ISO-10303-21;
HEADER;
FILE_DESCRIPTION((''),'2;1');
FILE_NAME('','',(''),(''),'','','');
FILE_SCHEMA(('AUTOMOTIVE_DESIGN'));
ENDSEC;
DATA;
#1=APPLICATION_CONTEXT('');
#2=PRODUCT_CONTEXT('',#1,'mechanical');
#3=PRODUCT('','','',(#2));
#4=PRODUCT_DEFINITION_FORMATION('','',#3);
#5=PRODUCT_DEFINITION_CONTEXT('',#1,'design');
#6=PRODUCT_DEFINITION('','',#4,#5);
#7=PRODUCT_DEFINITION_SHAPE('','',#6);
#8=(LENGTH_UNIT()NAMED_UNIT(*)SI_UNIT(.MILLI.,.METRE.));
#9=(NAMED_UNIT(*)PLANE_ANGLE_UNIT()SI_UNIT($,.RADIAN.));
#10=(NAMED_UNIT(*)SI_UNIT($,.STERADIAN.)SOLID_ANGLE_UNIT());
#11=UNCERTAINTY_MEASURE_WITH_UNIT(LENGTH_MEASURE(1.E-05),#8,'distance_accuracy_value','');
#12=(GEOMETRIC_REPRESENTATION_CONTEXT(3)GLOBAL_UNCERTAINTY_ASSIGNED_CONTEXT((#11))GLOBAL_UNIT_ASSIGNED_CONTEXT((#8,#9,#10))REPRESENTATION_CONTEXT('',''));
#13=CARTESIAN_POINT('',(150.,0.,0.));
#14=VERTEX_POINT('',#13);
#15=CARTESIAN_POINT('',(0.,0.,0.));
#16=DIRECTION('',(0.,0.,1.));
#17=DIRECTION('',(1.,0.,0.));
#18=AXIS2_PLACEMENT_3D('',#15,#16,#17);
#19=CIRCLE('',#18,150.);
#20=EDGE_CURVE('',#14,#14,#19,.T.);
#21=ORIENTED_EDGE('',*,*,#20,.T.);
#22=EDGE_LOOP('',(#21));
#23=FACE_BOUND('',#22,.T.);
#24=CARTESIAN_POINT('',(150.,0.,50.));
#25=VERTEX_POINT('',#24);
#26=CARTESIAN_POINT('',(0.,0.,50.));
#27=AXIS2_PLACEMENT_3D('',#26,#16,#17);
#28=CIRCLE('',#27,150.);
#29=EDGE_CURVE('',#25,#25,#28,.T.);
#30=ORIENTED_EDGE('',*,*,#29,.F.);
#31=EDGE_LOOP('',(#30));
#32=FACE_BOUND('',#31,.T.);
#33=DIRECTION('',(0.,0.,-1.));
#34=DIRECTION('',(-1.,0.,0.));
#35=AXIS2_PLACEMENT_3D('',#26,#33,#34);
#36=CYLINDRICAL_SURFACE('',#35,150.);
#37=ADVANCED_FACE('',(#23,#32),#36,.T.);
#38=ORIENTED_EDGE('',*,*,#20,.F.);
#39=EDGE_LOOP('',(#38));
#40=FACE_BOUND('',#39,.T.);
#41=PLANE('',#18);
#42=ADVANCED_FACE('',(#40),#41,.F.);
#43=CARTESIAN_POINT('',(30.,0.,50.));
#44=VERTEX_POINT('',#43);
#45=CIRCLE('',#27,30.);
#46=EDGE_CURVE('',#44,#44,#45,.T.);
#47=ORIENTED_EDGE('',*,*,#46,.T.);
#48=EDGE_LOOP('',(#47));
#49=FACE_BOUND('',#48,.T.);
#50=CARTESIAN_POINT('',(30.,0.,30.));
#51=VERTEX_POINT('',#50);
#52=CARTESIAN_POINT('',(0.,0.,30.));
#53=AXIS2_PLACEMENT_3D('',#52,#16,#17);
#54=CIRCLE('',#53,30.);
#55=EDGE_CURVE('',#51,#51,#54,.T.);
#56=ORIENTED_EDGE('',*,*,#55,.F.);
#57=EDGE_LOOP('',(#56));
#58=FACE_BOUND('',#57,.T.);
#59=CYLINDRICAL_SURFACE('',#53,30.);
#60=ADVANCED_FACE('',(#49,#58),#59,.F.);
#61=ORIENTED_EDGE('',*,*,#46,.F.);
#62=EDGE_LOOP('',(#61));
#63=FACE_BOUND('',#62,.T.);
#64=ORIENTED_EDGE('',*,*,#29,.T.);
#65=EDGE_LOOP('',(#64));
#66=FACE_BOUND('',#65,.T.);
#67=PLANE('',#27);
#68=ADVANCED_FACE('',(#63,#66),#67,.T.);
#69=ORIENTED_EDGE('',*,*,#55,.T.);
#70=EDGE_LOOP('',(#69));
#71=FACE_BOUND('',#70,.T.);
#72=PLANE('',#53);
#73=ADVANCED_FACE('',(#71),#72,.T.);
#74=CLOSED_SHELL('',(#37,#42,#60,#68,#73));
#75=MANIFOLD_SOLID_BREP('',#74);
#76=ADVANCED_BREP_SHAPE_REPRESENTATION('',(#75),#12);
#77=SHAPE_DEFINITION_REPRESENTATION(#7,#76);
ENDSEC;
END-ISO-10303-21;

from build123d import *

# Parameters (mm, degrees)
CROQUIS1_R              = 150
SALIENTE_EXTRUIR1_DEPTH = 50
CROQUIS2_R              = 30
CORTAR_EXTRUIR1_DEPTH   = 20


with BuildPart() as part:
    # Croquis1 → Saliente-Extruir1 (new body)
    with BuildSketch(Plane.XY):
        Circle(CROQUIS1_R)
    extrude(amount=SALIENTE_EXTRUIR1_DEPTH)

    # Croquis2 → Cortar-Extruir1 (cut)
    with BuildSketch(Plane.XY.offset(50)):
        Circle(CROQUIS2_R)
    extrude(amount=-CORTAR_EXTRUIR1_DEPTH, mode=Mode.SUBTRACT)


solid = part.part
